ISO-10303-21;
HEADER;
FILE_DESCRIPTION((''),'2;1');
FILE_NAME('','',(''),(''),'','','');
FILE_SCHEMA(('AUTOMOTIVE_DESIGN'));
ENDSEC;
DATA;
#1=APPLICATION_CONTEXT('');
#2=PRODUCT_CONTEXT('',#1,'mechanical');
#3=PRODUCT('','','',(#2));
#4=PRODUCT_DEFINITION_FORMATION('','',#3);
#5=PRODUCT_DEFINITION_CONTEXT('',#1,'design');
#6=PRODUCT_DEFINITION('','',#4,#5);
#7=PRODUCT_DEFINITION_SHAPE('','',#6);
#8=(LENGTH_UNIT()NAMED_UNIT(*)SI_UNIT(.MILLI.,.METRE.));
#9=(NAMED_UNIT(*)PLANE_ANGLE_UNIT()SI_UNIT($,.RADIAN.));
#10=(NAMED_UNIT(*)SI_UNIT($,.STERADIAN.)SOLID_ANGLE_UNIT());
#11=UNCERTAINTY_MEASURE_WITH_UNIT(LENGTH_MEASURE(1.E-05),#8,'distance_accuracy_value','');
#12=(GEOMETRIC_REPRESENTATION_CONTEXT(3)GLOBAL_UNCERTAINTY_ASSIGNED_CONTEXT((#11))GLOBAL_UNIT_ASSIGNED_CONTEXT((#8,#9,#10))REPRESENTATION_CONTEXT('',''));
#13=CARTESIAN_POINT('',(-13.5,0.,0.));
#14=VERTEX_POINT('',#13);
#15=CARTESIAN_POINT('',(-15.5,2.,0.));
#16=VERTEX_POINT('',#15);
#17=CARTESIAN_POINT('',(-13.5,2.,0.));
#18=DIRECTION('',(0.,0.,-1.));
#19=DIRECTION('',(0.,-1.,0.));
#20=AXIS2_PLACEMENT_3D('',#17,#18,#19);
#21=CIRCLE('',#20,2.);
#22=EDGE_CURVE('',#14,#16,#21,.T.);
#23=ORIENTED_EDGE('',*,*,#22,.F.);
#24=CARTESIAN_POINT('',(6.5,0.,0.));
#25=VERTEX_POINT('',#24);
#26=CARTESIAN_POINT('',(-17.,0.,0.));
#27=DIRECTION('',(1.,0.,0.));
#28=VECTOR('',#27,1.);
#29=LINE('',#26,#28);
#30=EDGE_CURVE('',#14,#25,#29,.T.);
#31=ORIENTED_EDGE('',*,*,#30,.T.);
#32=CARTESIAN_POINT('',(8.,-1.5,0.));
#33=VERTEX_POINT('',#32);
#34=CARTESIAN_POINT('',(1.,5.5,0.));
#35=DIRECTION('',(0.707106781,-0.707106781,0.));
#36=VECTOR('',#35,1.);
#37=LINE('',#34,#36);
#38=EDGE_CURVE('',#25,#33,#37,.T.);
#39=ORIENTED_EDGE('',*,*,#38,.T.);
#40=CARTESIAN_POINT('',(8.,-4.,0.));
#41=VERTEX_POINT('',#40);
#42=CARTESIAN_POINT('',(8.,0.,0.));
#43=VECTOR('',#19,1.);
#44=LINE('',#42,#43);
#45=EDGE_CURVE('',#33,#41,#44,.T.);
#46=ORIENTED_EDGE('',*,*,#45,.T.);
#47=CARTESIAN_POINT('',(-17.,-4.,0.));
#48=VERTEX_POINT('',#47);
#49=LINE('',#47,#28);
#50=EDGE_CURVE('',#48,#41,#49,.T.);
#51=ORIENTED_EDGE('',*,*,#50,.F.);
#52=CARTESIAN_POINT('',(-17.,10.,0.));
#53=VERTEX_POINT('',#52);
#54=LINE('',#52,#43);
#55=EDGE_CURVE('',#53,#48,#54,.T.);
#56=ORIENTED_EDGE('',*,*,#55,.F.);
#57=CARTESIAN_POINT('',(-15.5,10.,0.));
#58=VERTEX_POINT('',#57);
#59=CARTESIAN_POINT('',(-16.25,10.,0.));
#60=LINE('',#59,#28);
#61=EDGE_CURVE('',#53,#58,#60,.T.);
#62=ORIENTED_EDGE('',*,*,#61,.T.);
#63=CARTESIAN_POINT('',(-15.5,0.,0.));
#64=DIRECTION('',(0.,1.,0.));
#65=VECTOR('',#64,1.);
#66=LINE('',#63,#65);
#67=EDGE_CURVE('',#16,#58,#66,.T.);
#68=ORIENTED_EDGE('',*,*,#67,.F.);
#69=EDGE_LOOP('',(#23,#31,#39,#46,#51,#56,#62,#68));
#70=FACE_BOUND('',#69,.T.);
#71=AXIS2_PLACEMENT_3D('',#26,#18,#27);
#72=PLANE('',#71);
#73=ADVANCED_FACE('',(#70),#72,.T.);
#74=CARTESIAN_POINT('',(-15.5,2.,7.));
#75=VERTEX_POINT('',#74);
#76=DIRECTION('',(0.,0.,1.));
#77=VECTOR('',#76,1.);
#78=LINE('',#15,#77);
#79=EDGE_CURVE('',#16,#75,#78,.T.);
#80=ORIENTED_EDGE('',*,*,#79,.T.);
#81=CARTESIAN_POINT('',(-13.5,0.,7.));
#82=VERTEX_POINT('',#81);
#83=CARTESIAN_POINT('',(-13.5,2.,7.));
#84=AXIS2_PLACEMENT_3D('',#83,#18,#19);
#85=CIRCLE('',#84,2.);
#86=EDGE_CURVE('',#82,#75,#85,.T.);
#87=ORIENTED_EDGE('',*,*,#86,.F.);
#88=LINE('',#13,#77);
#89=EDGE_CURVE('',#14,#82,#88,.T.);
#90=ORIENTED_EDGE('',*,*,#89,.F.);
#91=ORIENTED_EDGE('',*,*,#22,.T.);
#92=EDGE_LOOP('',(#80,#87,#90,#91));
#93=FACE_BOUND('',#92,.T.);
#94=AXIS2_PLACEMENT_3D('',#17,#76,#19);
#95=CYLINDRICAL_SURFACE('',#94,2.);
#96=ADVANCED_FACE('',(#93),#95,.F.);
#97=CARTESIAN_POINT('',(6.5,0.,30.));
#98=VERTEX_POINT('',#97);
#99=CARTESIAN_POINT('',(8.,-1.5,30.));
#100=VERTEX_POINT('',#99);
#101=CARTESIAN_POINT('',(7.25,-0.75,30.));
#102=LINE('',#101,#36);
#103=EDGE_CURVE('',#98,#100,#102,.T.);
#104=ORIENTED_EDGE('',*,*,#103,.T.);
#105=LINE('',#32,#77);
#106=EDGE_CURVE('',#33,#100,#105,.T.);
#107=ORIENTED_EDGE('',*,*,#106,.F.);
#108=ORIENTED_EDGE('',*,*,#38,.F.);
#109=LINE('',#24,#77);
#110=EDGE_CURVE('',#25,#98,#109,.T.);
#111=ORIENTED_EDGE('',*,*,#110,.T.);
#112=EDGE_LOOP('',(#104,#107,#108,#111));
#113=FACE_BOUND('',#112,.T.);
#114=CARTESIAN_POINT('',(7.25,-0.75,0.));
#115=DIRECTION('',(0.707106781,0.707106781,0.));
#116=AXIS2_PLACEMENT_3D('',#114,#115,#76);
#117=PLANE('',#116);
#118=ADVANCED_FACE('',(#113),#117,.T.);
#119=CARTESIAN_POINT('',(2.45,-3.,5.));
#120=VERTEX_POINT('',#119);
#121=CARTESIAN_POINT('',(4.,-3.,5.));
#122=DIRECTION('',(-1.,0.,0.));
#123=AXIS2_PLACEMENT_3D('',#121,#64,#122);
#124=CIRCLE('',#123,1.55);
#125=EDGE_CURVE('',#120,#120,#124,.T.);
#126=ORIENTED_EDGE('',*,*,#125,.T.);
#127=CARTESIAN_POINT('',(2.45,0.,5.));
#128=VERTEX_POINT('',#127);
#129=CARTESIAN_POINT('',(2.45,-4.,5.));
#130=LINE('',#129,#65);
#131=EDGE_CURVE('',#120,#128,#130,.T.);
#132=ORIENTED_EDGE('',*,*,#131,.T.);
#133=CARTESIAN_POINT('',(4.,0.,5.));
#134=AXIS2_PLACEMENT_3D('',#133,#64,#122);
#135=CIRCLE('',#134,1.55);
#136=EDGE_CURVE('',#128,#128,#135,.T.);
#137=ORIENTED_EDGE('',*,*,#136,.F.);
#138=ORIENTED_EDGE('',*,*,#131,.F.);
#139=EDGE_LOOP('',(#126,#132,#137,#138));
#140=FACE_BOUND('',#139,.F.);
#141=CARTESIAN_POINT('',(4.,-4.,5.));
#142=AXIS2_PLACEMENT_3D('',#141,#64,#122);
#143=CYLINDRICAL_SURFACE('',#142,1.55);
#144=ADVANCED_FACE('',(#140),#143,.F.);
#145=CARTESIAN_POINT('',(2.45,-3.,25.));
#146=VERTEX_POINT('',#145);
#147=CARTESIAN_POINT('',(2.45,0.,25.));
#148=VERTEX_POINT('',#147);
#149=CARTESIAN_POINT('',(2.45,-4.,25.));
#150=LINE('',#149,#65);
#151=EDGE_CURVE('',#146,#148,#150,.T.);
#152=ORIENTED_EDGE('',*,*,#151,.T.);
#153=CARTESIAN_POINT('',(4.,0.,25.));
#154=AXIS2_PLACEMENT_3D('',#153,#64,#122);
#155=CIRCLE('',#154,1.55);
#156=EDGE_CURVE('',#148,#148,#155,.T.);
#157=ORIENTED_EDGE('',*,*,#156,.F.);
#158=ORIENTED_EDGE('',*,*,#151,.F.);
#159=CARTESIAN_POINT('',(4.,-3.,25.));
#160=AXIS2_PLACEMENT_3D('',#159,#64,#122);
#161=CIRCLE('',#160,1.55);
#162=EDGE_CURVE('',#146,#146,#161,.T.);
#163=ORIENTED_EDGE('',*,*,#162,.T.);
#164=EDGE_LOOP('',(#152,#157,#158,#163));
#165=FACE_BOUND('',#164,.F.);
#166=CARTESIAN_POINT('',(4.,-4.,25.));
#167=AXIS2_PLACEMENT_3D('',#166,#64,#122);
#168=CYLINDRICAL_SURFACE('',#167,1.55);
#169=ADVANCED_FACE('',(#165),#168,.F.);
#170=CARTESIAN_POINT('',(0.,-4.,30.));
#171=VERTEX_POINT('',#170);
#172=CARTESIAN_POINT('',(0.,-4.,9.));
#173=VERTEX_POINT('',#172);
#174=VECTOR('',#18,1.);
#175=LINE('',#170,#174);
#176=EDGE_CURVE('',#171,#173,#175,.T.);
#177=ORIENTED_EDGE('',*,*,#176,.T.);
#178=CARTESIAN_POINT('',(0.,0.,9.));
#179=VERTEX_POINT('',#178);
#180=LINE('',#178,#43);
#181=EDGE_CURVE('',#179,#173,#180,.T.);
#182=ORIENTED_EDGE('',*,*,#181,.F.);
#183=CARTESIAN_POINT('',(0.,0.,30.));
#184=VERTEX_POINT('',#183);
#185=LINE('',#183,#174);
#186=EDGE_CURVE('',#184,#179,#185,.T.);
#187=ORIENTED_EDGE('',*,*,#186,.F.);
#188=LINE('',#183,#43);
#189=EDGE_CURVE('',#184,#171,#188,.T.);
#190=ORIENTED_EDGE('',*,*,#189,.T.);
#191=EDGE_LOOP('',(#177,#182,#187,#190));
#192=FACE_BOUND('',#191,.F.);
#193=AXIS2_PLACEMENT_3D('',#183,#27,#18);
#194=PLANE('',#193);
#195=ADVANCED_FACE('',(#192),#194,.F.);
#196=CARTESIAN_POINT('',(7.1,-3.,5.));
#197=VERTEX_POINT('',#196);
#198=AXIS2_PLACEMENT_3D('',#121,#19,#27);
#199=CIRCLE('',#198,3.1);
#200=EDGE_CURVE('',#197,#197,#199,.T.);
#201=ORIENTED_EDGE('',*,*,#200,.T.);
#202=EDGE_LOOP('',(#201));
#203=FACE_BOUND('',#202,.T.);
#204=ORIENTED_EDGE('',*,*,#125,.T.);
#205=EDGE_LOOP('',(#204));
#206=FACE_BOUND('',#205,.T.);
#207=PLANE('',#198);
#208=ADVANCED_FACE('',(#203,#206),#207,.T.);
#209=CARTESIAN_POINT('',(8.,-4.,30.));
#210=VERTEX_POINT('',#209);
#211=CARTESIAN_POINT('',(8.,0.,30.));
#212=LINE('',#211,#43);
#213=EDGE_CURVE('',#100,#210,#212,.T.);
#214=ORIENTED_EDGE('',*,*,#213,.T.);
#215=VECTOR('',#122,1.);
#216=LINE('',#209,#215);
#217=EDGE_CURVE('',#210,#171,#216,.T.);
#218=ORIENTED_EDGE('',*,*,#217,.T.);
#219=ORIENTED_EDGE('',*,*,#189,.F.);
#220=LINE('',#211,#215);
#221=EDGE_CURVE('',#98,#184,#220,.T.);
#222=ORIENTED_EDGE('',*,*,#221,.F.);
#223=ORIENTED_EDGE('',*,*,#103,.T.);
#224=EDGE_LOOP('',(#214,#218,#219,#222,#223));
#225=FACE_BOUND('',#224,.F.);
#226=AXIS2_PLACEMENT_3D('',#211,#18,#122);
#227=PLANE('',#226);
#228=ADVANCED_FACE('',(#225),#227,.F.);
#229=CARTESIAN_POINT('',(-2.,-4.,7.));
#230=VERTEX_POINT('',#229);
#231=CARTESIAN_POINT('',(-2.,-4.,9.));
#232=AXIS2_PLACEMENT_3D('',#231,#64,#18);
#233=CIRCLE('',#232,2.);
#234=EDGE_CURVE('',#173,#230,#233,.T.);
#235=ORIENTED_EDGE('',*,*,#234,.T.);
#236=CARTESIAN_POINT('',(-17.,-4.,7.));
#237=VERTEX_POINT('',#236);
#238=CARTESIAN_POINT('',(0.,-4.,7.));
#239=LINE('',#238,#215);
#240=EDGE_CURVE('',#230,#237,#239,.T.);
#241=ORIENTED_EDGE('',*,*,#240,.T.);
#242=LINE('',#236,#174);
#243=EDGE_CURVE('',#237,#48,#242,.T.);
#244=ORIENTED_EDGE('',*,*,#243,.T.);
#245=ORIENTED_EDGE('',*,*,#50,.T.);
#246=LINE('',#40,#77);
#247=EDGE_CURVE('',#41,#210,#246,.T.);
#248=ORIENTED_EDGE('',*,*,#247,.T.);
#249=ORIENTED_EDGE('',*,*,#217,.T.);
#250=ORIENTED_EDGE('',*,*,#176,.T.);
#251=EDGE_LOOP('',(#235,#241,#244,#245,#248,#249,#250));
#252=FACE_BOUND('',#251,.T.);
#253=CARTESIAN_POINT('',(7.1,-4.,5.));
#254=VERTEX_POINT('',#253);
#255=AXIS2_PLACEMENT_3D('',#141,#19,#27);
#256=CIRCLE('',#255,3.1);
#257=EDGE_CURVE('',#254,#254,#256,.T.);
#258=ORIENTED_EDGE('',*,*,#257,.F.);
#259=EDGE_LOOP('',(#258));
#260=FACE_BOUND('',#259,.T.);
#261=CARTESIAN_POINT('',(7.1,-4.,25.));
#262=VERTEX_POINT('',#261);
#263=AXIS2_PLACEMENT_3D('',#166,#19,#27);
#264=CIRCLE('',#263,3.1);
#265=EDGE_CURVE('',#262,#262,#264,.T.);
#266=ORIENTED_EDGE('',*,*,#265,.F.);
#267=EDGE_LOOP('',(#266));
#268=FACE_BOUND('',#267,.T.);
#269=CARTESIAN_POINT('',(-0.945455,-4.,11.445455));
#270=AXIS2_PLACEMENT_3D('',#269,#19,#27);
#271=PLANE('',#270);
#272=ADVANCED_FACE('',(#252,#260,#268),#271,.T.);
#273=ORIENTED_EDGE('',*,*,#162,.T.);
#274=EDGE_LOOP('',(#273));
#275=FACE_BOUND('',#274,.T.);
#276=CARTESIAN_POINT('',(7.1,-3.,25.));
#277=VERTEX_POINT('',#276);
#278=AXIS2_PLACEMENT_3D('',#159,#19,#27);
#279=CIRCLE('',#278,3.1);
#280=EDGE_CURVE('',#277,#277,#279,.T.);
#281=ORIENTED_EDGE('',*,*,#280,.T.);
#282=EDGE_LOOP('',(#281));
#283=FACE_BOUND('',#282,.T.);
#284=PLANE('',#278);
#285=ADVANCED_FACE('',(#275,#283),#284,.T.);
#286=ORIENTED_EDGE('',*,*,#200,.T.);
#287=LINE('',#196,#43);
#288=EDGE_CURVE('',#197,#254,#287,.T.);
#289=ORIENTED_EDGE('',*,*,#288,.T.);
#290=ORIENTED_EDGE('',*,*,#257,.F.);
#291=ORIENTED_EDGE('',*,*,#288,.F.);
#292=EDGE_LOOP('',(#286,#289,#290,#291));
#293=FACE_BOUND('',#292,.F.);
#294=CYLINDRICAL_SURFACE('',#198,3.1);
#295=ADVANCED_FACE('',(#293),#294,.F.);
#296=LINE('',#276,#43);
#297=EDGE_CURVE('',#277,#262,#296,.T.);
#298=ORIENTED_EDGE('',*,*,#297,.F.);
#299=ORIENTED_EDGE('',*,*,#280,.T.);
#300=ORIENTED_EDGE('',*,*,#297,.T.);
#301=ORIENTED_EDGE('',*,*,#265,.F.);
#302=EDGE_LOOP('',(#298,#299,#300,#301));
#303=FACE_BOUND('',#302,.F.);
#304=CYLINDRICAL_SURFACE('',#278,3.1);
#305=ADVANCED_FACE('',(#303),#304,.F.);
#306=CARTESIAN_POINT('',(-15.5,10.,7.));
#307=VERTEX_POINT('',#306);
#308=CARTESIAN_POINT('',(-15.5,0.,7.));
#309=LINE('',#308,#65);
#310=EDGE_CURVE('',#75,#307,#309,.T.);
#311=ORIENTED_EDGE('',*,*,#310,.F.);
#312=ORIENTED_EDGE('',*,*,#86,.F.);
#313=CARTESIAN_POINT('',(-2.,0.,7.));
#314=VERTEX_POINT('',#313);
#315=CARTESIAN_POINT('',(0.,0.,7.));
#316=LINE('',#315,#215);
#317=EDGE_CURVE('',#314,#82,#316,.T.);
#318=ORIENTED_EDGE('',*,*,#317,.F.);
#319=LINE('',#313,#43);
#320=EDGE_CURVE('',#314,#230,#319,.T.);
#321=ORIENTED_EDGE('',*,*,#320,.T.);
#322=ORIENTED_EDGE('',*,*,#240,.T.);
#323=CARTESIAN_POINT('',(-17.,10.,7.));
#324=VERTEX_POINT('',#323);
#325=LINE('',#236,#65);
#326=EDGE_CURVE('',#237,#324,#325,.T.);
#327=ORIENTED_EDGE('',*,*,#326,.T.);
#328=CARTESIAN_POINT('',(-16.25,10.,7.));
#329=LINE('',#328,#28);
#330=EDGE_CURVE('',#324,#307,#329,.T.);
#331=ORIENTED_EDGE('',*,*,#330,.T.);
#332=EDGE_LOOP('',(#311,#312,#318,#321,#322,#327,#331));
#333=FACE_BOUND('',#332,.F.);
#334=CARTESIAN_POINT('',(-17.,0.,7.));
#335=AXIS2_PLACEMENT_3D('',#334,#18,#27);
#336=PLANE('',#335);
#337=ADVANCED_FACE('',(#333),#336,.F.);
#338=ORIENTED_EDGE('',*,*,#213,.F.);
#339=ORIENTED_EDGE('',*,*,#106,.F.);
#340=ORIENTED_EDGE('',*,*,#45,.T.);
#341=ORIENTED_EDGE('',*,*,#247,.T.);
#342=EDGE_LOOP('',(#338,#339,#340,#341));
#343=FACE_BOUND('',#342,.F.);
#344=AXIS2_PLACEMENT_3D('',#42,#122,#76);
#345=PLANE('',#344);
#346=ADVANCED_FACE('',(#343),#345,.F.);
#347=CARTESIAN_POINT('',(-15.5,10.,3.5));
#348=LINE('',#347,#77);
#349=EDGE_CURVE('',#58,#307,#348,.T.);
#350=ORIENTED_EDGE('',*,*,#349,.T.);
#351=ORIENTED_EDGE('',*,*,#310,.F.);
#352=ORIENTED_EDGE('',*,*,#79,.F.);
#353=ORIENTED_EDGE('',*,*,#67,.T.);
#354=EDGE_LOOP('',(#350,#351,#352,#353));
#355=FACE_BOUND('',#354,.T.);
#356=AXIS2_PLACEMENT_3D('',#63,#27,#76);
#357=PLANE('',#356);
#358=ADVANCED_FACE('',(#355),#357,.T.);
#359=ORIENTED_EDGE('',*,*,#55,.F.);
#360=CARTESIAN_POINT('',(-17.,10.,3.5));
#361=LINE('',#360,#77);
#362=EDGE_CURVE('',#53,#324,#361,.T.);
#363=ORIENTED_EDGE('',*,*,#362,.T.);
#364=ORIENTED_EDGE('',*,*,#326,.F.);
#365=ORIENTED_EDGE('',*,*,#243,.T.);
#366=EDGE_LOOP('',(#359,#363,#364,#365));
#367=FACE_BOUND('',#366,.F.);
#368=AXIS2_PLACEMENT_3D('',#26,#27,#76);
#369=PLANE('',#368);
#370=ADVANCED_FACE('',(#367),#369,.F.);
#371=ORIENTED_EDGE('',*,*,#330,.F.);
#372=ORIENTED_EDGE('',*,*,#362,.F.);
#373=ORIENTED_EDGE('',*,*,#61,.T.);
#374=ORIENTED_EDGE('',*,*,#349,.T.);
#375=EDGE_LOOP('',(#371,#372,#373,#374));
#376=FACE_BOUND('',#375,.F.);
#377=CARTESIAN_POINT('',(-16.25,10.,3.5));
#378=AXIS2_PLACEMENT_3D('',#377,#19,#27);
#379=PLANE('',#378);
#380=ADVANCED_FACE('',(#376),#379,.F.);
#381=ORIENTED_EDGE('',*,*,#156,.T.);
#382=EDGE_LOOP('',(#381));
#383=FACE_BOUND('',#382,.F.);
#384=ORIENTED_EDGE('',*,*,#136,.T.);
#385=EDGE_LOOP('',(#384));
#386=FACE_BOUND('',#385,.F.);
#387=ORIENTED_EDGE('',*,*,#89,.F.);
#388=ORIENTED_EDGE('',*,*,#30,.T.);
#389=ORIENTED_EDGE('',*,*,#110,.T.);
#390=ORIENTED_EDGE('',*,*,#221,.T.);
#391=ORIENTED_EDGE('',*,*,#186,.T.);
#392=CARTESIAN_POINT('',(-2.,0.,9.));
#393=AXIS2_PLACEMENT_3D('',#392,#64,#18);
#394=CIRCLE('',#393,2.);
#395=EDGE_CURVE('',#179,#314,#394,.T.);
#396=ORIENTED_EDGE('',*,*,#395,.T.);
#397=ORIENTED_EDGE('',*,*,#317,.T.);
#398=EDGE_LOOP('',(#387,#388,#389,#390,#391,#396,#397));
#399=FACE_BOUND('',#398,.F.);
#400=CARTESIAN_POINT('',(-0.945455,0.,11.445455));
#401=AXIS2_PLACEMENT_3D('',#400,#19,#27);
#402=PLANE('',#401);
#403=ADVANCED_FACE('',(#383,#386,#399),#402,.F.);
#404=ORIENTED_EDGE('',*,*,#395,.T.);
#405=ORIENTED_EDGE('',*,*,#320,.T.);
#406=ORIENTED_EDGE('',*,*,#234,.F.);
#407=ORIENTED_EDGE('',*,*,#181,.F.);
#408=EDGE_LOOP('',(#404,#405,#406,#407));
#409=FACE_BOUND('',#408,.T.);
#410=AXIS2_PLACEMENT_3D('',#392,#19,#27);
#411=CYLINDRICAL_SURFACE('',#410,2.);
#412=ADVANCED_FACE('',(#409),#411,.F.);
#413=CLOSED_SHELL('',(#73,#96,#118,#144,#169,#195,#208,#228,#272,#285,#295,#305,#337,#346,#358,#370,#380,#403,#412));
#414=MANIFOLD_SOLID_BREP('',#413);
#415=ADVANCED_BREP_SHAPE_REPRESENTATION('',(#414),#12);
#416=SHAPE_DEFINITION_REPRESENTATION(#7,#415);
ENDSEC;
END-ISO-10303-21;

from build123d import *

# Parameters (mm, degrees)
F1_DEPTH       = 4
F3_D           = 3.1
F3_CBORE_D     = 6.2
F3_CBORE_DEPTH = 1
F4_W           = 1.5
F4_H           = 7
F5_DEPTH       = 10
F6_SIZE        = 1.5
F7_R           = 2


with BuildPart() as f1:
    # F0 (on Front) → F1 (new body)
    with BuildSketch(Plane.XZ):
        Polygon((-17, 0), (8, 0), (8, 30), (0, 30), (0, 7), (-17, 7), align=None)
    extrude(amount=F1_DEPTH)

    # F3 (through all)
    with Locations(Plane.XZ.offset(4)):
        with Locations((4, 25), (4, 5)):
            CounterBoreHole(F3_D / 2, F3_CBORE_D / 2, F3_CBORE_DEPTH)

    # F4 (on Front) → F5 (join)
    with BuildSketch(Plane.XZ):
        with Locations((-16.25, 3.5)):
            Rectangle(F4_W, F4_H)
    extrude(amount=-F5_DEPTH)

    # F6
    f6_edges = [f1.edges().sort_by_distance(p)[0] for p in [
        (8, 0, 15),
    ]]
    chamfer(f6_edges, length=F6_SIZE)

    # F7
    f7_edges = [f1.edges().sort_by_distance(p)[0] for p in [
        (-15.5, 0, 3.5),
        (0, -2, 7),
    ]]
    fillet(f7_edges, radius=F7_R)


solid = f1.part
